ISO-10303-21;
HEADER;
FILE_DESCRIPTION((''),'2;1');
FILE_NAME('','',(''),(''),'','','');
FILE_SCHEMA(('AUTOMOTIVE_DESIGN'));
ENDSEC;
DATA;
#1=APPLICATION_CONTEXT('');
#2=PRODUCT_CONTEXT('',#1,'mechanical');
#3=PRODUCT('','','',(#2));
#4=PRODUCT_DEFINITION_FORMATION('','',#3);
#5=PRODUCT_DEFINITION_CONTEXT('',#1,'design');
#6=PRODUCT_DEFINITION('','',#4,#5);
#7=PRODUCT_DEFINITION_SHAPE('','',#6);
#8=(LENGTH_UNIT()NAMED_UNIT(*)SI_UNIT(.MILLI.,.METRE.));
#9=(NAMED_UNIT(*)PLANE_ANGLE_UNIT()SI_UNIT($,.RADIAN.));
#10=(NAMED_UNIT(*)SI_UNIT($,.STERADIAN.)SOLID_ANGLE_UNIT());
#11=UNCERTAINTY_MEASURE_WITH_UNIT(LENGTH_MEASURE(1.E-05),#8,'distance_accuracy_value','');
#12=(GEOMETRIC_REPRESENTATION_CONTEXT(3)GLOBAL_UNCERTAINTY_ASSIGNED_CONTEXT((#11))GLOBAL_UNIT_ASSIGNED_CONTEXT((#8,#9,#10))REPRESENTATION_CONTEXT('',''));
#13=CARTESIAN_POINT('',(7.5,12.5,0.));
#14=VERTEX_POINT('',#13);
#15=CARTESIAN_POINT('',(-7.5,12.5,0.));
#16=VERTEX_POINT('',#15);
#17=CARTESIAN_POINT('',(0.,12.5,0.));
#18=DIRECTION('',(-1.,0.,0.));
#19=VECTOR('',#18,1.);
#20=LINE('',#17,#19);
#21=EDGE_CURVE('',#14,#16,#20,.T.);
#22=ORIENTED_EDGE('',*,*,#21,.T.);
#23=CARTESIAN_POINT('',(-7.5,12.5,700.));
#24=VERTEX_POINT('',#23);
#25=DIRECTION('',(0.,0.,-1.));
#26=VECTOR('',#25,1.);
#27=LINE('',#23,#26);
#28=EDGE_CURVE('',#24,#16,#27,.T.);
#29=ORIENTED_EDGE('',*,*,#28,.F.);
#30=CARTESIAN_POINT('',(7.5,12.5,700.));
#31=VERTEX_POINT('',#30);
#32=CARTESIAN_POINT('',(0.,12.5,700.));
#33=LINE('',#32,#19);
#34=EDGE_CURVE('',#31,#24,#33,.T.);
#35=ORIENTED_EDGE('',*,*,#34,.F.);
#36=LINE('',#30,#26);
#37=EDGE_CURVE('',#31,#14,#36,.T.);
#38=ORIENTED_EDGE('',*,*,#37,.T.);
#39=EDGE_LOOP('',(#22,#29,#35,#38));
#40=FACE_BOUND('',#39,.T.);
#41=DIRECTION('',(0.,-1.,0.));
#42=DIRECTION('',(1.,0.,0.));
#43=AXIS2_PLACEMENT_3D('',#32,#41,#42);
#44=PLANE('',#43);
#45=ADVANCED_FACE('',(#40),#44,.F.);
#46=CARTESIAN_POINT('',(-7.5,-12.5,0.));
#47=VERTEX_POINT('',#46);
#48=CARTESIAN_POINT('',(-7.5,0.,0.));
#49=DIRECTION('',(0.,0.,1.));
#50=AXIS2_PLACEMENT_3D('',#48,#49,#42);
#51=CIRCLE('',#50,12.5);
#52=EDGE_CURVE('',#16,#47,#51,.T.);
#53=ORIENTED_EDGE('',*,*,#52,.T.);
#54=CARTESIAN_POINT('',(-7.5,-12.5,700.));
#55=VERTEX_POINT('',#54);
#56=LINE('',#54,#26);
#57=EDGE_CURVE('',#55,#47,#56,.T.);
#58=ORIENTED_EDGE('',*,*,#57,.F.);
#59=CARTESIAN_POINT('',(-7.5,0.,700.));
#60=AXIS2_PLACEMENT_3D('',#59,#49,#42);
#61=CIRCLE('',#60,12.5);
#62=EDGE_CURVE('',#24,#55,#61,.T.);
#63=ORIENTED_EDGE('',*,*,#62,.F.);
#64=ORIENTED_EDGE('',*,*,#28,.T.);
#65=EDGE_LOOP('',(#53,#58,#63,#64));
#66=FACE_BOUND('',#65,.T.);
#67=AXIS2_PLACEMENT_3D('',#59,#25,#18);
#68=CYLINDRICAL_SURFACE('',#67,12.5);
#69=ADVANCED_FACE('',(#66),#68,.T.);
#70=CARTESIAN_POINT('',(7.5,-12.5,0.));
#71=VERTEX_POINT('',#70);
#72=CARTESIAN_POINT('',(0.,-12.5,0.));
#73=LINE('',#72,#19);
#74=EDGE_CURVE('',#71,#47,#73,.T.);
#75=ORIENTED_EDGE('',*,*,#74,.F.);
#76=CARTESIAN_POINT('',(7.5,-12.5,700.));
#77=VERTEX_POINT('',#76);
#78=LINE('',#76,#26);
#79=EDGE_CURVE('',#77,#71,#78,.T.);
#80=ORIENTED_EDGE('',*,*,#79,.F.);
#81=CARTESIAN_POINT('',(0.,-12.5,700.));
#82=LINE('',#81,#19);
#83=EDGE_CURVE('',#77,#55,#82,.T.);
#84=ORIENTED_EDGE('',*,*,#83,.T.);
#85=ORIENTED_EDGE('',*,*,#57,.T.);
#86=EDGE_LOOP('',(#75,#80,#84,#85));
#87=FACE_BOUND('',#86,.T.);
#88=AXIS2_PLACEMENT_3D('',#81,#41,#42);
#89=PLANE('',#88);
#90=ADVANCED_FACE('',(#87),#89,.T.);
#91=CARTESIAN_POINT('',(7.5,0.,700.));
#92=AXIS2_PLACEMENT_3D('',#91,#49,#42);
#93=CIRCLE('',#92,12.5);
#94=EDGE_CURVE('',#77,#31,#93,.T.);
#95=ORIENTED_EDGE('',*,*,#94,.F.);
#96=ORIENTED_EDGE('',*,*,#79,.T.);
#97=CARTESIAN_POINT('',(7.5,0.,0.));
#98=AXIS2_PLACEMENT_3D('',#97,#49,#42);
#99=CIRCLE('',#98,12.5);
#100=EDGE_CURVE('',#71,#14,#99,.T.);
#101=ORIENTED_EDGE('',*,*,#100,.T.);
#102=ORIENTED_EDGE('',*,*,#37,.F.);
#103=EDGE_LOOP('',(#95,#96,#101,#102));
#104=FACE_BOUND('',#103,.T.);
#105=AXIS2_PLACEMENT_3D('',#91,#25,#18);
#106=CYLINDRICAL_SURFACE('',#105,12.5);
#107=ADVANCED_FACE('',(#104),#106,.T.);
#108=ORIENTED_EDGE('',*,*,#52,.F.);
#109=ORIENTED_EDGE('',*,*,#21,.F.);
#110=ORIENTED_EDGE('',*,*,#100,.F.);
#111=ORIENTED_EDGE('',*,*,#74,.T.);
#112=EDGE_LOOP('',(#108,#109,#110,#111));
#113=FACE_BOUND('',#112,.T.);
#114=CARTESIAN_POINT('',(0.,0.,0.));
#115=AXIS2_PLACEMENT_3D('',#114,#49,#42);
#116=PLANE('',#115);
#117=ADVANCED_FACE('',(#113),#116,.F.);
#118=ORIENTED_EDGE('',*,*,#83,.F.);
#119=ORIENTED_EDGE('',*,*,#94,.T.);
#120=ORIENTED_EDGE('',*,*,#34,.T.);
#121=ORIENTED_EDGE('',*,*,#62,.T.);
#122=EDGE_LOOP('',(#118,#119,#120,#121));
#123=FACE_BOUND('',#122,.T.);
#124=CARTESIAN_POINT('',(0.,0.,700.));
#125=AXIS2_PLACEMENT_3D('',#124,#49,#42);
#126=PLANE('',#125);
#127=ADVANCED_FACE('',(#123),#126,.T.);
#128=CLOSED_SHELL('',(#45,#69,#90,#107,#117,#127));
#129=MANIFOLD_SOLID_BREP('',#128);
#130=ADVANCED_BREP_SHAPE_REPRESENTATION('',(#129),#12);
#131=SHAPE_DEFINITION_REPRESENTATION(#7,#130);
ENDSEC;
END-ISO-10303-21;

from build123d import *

# Parameters (mm, degrees)
SKETCH1_R           = 12.5
BOSS_EXTRUDE1_DEPTH = 700


with BuildPart() as part:
    # Sketch1 → Boss-Extrude1 (new body)
    with BuildSketch(Plane.XY):
        with Locations((7.5, 0)):
            Circle(SKETCH1_R)
        with Locations((-7.5, 0)):
            Circle(SKETCH1_R)
        with BuildLine():
            ThreePointArc((0, 10), (3.547152934, 11.858541229), (7.500000018, 12.5))
            Line((7.500000018, 12.5), (-7.500000011, 12.5))
            ThreePointArc((-7.500000011, 12.5), (-3.54715293, 11.858541227), (0, 10))
        make_face()
        with BuildLine():
            Line((-7.500000062, -12.5), (7.49999999, -12.5))
            ThreePointArc((7.49999999, -12.5), (3.54715292, -11.858541224), (0, -10))
            ThreePointArc((0, -10), (-3.547152954, -11.858541235), (-7.500000062, -12.5))
        make_face()
    extrude(amount=BOSS_EXTRUDE1_DEPTH)


solid = part.part
